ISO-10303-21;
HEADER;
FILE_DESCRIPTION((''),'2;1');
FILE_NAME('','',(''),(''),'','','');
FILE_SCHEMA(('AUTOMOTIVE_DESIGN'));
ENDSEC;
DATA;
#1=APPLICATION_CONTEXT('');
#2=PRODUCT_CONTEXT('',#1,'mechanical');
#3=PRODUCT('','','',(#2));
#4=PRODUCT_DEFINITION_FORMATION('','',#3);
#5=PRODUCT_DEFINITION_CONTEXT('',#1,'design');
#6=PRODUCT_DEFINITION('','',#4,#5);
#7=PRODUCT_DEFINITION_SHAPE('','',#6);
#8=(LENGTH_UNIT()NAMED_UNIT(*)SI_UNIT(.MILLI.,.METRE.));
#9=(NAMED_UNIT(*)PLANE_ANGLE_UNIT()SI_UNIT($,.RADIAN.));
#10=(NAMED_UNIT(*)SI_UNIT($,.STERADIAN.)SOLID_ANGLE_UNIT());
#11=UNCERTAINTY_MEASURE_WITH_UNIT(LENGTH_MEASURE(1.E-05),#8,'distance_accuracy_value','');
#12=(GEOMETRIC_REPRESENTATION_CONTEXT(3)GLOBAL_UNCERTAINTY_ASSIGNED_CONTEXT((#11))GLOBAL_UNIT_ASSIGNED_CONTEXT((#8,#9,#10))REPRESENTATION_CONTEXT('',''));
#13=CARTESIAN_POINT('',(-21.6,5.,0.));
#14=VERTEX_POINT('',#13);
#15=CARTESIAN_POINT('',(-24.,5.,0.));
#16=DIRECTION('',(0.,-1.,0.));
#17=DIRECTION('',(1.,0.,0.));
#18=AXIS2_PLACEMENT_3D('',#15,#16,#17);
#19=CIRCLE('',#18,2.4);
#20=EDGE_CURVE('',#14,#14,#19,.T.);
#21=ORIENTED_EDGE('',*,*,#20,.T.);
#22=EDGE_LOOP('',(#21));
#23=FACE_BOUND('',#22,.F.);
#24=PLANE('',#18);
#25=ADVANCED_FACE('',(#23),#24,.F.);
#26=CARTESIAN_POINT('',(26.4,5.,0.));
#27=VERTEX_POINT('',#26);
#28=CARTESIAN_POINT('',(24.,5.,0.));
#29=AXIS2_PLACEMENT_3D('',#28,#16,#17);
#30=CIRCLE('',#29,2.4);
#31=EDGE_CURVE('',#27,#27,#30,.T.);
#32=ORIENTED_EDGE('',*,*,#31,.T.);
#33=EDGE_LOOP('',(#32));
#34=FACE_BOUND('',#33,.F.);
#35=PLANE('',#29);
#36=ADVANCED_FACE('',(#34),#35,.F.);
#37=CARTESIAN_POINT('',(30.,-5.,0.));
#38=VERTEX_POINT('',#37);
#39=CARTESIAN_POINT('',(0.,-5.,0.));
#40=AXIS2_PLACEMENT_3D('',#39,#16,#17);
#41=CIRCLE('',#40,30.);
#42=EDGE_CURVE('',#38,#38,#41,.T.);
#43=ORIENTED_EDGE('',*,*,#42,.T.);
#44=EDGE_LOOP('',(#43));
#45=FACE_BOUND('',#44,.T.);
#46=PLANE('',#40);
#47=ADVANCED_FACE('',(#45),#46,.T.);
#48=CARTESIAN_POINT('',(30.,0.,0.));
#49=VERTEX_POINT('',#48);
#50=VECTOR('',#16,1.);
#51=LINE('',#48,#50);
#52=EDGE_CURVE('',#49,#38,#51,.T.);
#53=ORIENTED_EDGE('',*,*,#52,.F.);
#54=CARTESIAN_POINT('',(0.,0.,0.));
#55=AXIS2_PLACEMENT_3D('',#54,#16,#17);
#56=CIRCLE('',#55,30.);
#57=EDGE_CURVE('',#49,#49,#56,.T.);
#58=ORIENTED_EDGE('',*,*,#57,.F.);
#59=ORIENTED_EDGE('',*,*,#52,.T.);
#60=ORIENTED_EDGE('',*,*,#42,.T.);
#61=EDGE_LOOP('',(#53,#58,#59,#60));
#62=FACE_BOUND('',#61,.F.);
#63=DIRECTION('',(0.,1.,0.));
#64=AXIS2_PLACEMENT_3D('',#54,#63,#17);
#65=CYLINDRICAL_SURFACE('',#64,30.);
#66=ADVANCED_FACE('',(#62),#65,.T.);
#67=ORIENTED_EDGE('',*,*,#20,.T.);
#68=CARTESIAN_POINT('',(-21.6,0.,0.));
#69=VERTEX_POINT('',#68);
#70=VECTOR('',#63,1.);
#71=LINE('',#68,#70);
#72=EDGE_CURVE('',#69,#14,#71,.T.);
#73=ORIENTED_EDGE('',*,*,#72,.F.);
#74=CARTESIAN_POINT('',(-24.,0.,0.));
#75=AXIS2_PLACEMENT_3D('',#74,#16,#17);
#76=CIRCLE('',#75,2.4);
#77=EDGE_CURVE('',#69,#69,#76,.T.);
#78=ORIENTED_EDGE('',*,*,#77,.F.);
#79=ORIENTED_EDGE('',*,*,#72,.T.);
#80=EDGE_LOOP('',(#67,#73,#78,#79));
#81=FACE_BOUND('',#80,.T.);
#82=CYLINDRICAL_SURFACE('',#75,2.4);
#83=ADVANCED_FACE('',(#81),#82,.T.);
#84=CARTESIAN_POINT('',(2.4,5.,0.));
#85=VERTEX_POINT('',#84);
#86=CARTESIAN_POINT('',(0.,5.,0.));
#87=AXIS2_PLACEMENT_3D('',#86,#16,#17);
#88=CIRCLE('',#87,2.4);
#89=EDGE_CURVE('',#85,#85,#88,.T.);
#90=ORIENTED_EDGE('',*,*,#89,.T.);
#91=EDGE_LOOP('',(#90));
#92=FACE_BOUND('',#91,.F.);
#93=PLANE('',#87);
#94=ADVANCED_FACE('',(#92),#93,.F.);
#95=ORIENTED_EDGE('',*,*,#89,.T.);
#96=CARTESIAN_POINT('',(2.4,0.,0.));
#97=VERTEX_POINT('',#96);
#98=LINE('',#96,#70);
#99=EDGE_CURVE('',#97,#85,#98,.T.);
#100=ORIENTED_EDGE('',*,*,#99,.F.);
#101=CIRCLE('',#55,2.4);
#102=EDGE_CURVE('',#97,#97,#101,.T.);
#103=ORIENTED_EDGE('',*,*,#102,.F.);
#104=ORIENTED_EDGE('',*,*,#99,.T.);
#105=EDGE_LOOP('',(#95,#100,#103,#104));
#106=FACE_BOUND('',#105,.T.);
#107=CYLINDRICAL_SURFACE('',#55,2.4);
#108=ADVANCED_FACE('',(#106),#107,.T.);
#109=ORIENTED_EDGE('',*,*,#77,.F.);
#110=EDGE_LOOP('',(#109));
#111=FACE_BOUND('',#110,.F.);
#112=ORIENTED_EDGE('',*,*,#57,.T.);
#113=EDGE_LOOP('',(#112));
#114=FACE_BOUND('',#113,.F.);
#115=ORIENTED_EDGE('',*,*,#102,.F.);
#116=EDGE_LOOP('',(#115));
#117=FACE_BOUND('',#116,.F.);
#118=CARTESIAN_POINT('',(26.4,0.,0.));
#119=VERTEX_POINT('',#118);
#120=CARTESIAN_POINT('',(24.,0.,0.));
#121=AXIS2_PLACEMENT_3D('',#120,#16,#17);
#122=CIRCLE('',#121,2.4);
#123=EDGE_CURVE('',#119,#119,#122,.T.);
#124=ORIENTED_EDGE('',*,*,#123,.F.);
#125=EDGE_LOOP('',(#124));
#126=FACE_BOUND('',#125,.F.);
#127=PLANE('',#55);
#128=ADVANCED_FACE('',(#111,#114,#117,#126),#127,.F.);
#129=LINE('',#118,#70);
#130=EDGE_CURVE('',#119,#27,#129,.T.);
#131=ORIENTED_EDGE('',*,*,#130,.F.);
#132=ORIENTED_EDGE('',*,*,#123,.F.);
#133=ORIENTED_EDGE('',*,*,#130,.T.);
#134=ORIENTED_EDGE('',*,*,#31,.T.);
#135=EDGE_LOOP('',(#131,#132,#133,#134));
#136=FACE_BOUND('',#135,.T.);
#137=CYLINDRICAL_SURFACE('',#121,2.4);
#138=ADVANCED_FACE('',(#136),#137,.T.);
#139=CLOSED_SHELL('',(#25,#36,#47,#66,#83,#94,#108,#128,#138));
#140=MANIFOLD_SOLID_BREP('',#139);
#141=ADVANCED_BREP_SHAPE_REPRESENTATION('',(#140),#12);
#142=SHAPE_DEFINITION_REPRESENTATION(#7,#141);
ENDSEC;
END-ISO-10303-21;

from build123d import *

# Parameters (mm, degrees)
F1_R     = 30
F2_DEPTH = 5
F0_R     = 2.4
F3_DEPTH = 5


with BuildPart() as f2:
    # F1 (on Front) → F2 (new body)
    with BuildSketch(Plane.XZ):
        Circle(F1_R)
    extrude(amount=F2_DEPTH)

    # F0 (on Front) → F3 (join)
    with BuildSketch(Plane.XZ):
        Circle(F0_R)
        with Locations((-24, 0)):
            Circle(F0_R)
        with Locations((24, 0)):
            Circle(F0_R)
    extrude(amount=-F3_DEPTH)


solid = f2.part
